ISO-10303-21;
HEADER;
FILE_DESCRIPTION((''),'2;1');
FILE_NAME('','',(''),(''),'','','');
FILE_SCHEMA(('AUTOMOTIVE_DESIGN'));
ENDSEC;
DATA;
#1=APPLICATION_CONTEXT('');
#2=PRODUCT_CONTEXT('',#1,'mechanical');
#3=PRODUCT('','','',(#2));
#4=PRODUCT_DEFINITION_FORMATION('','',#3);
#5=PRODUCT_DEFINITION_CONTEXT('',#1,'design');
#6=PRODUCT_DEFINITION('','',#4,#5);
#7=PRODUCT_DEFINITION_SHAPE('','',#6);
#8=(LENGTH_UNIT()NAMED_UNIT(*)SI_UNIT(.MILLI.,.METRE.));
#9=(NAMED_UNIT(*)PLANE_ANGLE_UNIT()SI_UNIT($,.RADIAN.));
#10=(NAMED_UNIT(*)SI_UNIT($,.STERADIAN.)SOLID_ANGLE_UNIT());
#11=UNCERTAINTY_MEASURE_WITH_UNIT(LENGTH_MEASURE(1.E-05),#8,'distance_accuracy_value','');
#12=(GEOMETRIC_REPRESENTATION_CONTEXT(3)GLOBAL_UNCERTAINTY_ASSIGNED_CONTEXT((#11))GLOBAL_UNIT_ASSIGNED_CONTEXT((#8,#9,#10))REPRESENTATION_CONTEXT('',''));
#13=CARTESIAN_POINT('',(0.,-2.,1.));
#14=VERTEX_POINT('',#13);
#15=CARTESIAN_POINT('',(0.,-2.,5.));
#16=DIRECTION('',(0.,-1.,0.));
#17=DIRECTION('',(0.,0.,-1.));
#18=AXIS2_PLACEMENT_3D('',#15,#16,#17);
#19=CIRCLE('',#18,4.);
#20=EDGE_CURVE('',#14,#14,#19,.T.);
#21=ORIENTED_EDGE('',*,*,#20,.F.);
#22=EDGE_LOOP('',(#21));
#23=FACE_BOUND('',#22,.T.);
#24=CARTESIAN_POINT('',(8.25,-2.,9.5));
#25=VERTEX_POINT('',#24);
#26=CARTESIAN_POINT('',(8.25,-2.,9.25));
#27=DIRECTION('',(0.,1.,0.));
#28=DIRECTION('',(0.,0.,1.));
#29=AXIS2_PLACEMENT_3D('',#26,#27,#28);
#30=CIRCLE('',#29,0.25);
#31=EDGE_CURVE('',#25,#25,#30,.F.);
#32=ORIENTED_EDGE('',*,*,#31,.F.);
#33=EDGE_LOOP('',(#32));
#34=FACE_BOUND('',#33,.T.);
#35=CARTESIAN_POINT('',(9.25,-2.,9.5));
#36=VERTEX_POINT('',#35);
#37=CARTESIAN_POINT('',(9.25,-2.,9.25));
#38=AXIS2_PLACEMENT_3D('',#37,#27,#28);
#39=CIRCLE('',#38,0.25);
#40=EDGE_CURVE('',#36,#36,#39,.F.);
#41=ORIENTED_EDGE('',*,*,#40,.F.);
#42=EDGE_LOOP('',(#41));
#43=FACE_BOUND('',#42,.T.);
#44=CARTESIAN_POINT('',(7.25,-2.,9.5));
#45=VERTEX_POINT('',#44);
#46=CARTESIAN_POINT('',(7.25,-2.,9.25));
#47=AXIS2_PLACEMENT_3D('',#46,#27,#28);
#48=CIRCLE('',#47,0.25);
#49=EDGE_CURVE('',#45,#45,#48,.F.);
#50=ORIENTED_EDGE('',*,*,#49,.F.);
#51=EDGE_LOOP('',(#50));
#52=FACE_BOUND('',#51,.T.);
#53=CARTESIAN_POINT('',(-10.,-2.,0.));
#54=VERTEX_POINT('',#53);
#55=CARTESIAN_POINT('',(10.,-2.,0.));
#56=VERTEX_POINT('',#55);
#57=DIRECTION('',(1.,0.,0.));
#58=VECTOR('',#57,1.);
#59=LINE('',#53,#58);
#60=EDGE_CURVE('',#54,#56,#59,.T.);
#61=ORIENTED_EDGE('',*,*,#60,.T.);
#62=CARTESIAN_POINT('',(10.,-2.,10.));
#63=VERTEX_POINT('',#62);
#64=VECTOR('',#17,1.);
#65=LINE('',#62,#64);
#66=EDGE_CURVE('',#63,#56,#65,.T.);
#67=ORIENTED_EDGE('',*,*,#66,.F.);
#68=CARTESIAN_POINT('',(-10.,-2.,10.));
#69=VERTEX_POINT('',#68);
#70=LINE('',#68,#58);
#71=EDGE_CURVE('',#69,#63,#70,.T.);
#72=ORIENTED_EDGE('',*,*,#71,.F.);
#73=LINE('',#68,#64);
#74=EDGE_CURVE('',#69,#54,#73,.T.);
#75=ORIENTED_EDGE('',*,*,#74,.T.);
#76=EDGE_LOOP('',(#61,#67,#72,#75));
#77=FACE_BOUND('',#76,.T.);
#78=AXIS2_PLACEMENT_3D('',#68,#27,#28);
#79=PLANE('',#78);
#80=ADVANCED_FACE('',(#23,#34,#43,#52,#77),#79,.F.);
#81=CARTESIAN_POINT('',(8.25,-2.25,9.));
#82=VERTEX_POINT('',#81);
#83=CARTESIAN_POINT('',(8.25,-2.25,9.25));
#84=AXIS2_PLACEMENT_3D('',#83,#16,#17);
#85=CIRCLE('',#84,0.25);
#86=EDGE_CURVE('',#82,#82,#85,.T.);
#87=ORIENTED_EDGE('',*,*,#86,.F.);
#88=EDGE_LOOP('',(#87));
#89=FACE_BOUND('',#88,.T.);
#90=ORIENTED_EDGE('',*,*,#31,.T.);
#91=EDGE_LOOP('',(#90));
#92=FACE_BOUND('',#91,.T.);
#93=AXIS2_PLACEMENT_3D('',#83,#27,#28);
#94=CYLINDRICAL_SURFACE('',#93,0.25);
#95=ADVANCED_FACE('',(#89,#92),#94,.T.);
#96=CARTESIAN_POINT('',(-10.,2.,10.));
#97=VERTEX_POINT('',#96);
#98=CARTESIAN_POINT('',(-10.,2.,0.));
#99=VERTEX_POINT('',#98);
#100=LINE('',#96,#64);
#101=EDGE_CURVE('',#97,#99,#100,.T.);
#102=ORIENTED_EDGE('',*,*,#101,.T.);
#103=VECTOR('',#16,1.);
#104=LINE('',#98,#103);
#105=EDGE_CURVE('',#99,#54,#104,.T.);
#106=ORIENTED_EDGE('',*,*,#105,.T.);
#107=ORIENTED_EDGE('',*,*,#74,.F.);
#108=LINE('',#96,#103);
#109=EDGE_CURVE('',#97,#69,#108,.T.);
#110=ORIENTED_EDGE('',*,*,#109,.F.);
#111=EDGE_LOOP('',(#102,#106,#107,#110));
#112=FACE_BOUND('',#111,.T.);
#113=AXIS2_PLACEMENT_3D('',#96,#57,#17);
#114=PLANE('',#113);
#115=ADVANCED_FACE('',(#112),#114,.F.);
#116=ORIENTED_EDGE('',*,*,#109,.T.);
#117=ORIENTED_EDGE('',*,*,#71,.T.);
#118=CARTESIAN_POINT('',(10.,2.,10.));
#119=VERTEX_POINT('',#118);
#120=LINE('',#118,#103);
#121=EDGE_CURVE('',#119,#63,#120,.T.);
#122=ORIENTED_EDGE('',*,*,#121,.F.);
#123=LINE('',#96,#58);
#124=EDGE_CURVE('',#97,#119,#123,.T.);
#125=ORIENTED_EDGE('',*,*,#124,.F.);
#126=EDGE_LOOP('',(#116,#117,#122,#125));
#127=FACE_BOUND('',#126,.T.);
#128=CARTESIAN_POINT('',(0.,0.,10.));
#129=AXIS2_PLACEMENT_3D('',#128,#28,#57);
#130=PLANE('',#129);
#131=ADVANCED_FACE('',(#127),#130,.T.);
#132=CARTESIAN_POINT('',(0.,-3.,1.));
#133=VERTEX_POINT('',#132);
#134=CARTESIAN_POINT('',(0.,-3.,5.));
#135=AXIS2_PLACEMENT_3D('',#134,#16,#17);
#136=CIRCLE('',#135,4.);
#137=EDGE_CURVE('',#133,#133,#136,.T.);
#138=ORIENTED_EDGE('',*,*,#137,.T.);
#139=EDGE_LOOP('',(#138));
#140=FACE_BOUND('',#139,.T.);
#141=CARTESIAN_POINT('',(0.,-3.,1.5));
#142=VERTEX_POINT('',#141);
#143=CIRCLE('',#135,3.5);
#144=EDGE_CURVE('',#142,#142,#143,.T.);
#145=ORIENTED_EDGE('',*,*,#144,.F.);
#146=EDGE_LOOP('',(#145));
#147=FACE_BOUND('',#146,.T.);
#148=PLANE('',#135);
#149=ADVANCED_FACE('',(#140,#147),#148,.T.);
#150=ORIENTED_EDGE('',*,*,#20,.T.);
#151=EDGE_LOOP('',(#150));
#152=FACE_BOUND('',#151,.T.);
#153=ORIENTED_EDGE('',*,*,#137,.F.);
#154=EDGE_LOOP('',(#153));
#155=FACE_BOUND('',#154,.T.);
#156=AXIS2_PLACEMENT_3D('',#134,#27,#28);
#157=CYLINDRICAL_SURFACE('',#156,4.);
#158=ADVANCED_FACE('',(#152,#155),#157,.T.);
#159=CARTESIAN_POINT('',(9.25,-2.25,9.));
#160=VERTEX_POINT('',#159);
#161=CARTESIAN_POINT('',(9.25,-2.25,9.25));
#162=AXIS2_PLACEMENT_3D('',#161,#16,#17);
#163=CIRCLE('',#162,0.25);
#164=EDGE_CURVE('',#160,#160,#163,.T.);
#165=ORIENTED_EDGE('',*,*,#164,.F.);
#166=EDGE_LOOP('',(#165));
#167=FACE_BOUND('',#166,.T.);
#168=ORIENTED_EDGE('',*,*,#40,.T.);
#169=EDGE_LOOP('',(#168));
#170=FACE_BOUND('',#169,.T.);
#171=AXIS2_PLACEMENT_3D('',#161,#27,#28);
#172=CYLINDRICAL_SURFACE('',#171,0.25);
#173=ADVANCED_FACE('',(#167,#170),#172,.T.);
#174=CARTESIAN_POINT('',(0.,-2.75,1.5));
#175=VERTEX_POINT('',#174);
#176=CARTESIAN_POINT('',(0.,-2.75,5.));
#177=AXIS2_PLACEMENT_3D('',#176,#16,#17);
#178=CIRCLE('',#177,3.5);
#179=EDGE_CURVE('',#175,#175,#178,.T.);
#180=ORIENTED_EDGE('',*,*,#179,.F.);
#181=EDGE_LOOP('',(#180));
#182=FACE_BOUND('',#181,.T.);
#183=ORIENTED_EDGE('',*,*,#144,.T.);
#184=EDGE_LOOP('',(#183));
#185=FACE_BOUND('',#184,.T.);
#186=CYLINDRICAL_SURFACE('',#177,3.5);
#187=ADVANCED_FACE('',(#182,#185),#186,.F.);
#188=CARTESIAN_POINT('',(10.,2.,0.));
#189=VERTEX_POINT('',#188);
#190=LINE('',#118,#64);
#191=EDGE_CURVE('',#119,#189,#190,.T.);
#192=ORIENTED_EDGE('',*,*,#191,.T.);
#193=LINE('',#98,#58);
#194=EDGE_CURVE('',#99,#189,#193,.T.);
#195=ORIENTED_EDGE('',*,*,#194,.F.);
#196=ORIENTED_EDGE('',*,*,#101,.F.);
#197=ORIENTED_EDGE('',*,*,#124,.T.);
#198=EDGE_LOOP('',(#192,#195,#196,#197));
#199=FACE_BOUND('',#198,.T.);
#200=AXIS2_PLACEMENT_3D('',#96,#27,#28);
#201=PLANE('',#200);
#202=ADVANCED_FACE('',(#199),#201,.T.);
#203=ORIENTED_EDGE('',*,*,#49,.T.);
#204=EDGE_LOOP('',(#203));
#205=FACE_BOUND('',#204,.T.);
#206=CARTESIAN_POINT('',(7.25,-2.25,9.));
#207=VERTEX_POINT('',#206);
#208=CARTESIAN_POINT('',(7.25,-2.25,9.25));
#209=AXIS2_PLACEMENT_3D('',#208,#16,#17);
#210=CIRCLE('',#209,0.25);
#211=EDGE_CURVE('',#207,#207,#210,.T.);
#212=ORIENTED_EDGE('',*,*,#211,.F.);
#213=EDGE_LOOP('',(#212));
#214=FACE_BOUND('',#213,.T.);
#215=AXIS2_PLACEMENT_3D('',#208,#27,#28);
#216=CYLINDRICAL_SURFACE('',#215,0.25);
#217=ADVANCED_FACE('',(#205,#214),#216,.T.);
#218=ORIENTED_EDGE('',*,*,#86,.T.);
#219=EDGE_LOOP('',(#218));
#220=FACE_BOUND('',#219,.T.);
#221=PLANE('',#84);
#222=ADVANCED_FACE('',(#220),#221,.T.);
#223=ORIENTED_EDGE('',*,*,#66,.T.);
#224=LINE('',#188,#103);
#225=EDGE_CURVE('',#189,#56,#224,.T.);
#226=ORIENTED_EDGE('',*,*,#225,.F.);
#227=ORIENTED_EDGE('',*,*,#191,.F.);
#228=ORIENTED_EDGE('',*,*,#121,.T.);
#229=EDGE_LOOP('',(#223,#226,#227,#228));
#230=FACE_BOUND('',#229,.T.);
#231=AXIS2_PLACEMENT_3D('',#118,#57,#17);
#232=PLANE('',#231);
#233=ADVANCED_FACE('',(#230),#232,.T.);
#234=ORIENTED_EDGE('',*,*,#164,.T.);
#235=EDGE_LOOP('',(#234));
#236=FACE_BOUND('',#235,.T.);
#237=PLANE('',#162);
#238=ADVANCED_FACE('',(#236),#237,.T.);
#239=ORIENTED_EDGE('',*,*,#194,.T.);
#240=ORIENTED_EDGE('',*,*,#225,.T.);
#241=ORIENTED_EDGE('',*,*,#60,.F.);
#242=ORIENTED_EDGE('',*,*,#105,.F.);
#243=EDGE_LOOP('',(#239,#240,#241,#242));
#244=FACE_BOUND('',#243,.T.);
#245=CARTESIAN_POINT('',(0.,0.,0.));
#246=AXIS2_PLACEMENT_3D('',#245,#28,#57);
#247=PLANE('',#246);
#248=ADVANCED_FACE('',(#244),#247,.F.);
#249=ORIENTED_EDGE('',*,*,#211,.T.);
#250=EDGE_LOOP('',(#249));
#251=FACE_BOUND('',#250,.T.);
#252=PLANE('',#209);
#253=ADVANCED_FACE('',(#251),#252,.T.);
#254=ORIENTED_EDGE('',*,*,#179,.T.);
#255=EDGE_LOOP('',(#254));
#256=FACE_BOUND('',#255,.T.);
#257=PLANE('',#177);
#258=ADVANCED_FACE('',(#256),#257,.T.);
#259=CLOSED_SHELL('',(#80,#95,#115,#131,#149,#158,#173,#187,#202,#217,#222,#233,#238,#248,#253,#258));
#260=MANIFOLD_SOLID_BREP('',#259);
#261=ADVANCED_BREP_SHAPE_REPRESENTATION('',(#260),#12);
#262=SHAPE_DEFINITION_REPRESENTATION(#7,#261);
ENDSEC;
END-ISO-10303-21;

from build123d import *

# Parameters (mm, degrees)
SKETCH1_W           = 20
SKETCH1_H           = 4
BOSS_EXTRUDE1_DEPTH = 10
SKETCH2_R           = 4
BOSS_EXTRUDE2_DEPTH = 1
SKETCH5_R           = 3.5
CUT_EXTRUDE1_DEPTH  = 0.25
SKETCH6_R           = 0.25
BOSS_EXTRUDE3_DEPTH = 0.25


with BuildPart() as part:
    # Sketch1 → Boss-Extrude1 (new body)
    with BuildSketch(Plane.XY):
        Rectangle(SKETCH1_W, SKETCH1_H)
    extrude(amount=BOSS_EXTRUDE1_DEPTH)

    # Sketch2 → Boss-Extrude2 (add)
    with BuildSketch(Plane(origin=(0, -2, 0), x_dir=(-1, 0, 0), z_dir=(0, -1, 0))):
        with Locations((0, -5)):
            Circle(SKETCH2_R)
    extrude(amount=BOSS_EXTRUDE2_DEPTH)

    # Sketch5 → Cut-Extrude1 (cut)
    with BuildSketch(Plane(origin=(0, -3, 0), x_dir=(-1, 0, 0), z_dir=(0, -1, 0))):
        with Locations((0, -5)):
            Circle(SKETCH5_R)
    extrude(amount=-CUT_EXTRUDE1_DEPTH, mode=Mode.SUBTRACT)

    # Sketch6 → Boss-Extrude3 (add)
    with BuildSketch(Plane(origin=(0, -2, 0), x_dir=(-1, 0, 0), z_dir=(0, -1, 0))):
        with Locations((-7.25, -9.25)):
            Circle(SKETCH6_R)
        with Locations((-8.25, -9.25)):
            Circle(SKETCH6_R)
        with Locations((-9.25, -9.25)):
            Circle(SKETCH6_R)
    extrude(amount=BOSS_EXTRUDE3_DEPTH)


solid = part.part
